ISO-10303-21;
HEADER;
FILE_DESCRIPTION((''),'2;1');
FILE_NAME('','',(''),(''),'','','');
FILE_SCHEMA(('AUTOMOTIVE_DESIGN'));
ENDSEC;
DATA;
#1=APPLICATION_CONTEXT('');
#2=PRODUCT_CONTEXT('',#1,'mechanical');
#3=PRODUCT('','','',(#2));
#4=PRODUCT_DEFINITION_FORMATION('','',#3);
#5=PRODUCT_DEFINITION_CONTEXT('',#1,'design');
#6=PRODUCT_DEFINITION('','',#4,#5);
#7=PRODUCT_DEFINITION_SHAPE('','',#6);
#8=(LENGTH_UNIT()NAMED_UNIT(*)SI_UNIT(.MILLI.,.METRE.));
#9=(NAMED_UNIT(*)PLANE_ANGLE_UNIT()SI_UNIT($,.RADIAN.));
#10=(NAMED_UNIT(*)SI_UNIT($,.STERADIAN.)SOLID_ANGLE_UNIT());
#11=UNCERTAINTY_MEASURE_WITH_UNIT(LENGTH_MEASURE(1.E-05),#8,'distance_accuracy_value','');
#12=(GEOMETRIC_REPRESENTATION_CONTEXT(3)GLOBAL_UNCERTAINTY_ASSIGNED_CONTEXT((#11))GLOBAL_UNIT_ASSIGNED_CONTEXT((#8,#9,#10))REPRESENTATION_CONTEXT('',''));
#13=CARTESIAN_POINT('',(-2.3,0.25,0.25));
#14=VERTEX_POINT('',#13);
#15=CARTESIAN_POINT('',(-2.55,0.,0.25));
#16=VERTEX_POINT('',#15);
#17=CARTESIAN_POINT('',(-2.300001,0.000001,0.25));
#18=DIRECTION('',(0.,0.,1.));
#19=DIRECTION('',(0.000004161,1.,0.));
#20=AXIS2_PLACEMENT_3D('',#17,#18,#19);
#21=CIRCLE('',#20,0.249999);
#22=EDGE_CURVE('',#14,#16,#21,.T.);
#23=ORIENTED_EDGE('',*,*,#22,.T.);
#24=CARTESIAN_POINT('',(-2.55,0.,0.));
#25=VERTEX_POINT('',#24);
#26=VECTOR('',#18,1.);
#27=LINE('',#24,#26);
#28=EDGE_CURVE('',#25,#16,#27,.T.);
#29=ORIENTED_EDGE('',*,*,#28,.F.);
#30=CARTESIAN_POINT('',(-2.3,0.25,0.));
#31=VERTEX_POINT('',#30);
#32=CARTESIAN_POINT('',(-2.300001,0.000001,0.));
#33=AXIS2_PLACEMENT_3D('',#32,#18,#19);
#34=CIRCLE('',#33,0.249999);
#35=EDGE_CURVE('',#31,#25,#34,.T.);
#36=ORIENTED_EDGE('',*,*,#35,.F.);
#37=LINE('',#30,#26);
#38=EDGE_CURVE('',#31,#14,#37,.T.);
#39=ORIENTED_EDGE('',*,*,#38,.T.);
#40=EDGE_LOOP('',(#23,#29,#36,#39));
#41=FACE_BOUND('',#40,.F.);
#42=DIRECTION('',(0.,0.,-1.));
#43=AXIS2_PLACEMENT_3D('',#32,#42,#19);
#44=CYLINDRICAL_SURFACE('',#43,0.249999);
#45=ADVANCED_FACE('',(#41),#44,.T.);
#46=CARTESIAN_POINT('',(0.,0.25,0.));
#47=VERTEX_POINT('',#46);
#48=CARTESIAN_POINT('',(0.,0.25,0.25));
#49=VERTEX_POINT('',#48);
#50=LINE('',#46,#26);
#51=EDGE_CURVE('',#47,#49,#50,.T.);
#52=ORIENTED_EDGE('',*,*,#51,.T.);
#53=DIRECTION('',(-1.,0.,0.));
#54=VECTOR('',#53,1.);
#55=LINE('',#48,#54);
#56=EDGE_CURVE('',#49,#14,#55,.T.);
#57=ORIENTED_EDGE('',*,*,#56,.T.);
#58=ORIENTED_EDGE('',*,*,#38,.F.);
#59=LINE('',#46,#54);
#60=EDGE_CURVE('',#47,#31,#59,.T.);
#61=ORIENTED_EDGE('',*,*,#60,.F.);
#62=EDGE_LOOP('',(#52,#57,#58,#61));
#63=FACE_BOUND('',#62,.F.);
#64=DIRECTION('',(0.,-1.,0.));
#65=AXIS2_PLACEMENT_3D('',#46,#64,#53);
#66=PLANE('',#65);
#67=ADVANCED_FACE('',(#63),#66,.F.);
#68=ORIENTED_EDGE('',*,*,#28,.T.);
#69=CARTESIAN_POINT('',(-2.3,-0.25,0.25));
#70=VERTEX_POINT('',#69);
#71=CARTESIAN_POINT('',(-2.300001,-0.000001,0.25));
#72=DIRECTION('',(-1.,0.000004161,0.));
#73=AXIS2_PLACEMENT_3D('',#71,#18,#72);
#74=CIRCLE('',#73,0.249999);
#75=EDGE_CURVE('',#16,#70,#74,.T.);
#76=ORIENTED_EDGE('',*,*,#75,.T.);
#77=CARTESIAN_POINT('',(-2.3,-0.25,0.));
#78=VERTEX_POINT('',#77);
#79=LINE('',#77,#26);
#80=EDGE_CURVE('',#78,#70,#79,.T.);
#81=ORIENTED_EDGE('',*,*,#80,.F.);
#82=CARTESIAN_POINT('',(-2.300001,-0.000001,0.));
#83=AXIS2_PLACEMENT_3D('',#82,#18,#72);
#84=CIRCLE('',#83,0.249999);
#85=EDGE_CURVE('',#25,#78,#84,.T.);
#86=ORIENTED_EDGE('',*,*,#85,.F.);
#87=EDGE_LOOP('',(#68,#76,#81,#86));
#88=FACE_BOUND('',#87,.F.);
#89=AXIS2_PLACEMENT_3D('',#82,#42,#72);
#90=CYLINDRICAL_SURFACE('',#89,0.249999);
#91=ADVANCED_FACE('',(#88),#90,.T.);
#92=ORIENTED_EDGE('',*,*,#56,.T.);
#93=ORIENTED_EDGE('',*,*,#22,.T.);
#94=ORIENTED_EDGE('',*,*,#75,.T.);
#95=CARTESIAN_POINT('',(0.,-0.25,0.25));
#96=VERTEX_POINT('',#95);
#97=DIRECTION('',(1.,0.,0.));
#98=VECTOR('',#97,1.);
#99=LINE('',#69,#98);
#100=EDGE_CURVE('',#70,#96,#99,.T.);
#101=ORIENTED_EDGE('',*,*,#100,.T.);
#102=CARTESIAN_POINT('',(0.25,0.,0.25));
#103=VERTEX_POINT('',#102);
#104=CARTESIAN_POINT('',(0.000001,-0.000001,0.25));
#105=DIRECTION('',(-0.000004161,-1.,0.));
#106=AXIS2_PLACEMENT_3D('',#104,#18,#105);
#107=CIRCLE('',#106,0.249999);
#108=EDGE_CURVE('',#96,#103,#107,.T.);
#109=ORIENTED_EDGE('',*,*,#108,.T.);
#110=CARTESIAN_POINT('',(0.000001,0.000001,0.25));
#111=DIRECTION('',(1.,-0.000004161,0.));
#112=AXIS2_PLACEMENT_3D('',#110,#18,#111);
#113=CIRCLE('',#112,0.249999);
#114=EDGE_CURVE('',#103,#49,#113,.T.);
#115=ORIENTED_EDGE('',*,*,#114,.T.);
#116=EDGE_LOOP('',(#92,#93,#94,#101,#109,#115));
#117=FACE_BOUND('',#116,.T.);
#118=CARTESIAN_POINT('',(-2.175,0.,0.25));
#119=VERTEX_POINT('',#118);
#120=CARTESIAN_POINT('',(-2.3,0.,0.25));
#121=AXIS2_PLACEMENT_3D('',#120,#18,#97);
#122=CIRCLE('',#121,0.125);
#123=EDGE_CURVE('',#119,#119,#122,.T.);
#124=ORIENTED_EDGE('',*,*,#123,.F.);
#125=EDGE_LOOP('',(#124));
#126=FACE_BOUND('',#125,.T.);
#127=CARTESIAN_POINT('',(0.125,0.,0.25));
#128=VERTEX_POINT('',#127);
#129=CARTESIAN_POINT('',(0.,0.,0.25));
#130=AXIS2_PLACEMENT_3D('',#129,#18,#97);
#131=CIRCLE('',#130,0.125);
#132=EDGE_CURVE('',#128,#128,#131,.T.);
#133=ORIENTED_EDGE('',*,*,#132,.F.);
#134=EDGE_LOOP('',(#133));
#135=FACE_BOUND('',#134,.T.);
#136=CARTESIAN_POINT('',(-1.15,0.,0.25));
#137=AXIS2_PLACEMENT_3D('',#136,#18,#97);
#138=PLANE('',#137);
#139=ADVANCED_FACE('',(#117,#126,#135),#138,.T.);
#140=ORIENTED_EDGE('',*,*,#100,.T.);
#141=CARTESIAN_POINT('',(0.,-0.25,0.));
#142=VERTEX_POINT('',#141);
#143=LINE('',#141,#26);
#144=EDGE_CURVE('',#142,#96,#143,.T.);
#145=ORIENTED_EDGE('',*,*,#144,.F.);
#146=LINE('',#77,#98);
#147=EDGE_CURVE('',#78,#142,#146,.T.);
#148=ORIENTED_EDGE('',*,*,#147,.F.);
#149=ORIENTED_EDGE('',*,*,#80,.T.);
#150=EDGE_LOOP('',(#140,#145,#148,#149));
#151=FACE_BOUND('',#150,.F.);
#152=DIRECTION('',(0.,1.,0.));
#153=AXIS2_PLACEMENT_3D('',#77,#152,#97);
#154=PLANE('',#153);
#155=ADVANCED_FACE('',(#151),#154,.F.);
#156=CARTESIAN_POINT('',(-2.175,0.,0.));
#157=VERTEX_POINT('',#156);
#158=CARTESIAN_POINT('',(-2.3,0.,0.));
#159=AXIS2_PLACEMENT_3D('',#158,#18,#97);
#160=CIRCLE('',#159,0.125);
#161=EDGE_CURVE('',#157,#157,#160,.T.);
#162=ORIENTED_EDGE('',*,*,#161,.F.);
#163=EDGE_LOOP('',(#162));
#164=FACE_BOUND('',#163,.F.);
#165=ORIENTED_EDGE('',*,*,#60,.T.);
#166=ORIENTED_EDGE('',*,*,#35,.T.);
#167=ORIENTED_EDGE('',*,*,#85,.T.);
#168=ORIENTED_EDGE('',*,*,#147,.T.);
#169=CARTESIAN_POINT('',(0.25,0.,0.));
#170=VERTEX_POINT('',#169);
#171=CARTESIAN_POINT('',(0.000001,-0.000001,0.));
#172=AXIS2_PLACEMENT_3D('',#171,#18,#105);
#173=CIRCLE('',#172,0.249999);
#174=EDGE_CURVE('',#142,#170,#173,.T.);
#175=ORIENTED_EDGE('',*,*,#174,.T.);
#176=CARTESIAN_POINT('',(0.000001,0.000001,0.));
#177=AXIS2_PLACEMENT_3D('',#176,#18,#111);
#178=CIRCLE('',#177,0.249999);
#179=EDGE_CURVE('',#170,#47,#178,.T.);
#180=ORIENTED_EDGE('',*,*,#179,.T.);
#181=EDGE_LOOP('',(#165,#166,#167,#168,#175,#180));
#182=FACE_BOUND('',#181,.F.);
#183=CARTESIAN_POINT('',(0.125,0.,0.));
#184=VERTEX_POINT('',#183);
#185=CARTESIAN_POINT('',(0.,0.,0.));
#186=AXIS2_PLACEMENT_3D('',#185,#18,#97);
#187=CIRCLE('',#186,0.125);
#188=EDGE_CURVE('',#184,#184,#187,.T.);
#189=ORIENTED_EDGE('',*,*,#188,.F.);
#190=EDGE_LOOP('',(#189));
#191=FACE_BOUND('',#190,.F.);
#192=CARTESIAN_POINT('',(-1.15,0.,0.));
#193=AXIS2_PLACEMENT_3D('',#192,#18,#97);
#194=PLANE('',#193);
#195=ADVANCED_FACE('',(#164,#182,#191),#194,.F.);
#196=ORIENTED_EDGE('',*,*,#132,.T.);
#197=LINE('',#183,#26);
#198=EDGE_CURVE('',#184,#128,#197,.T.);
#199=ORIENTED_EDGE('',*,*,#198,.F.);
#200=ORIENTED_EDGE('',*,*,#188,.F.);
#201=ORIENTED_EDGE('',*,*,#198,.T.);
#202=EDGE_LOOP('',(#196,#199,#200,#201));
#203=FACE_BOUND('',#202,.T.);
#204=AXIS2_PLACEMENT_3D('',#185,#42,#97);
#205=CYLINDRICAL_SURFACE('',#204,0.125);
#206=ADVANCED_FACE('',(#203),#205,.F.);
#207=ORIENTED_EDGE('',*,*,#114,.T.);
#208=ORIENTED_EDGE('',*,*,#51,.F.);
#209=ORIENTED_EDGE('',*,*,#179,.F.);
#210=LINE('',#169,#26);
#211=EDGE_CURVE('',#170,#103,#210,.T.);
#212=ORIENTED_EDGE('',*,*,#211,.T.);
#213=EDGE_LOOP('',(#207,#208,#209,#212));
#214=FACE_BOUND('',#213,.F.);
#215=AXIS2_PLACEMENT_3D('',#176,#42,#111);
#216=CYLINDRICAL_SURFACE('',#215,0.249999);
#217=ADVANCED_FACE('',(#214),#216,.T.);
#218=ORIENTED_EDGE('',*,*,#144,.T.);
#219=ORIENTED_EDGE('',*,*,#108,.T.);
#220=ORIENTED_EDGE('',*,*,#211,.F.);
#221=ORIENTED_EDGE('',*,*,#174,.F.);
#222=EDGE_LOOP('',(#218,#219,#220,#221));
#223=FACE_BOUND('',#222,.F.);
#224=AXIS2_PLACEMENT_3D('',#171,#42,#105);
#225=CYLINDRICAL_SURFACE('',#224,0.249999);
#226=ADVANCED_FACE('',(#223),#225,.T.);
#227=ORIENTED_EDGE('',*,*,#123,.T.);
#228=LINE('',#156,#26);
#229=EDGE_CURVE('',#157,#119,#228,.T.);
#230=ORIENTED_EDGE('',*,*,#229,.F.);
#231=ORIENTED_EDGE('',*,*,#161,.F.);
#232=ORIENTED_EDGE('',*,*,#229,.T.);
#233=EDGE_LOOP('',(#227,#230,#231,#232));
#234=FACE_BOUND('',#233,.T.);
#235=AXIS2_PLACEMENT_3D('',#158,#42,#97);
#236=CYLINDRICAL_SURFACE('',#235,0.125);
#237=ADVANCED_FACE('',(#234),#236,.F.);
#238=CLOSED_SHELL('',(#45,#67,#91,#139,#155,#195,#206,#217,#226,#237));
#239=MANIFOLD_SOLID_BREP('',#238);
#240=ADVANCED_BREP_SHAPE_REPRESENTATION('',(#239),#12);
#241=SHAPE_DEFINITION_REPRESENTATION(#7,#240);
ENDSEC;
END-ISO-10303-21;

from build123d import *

# Parameters (mm, degrees)
F0_R     = 0.125
F1_DEPTH = 0.25


with BuildPart() as f1:
    # F0 (on Top) → F1 (new body)
    with BuildSketch(Plane.XY):
        with BuildLine():
            Line((0, 0.25), (-2.3, 0.25))
            ThreePointArc((-2.3, 0.25), (-2.476777, 0.176777), (-2.55, 0))
            ThreePointArc((-2.55, 0), (-2.476777, -0.176777), (-2.3, -0.25))
            Line((-2.3, -0.25), (0, -0.25))
            ThreePointArc((0, -0.25), (0.176777, -0.176777), (0.25, 0))
            ThreePointArc((0.25, 0), (0.176777, 0.176777), (0, 0.25))
        make_face()
        with Locations((-2.3, 0)):
            Circle(F0_R, mode=Mode.SUBTRACT)
        Circle(F0_R, mode=Mode.SUBTRACT)
    extrude(amount=F1_DEPTH)


solid = f1.part
